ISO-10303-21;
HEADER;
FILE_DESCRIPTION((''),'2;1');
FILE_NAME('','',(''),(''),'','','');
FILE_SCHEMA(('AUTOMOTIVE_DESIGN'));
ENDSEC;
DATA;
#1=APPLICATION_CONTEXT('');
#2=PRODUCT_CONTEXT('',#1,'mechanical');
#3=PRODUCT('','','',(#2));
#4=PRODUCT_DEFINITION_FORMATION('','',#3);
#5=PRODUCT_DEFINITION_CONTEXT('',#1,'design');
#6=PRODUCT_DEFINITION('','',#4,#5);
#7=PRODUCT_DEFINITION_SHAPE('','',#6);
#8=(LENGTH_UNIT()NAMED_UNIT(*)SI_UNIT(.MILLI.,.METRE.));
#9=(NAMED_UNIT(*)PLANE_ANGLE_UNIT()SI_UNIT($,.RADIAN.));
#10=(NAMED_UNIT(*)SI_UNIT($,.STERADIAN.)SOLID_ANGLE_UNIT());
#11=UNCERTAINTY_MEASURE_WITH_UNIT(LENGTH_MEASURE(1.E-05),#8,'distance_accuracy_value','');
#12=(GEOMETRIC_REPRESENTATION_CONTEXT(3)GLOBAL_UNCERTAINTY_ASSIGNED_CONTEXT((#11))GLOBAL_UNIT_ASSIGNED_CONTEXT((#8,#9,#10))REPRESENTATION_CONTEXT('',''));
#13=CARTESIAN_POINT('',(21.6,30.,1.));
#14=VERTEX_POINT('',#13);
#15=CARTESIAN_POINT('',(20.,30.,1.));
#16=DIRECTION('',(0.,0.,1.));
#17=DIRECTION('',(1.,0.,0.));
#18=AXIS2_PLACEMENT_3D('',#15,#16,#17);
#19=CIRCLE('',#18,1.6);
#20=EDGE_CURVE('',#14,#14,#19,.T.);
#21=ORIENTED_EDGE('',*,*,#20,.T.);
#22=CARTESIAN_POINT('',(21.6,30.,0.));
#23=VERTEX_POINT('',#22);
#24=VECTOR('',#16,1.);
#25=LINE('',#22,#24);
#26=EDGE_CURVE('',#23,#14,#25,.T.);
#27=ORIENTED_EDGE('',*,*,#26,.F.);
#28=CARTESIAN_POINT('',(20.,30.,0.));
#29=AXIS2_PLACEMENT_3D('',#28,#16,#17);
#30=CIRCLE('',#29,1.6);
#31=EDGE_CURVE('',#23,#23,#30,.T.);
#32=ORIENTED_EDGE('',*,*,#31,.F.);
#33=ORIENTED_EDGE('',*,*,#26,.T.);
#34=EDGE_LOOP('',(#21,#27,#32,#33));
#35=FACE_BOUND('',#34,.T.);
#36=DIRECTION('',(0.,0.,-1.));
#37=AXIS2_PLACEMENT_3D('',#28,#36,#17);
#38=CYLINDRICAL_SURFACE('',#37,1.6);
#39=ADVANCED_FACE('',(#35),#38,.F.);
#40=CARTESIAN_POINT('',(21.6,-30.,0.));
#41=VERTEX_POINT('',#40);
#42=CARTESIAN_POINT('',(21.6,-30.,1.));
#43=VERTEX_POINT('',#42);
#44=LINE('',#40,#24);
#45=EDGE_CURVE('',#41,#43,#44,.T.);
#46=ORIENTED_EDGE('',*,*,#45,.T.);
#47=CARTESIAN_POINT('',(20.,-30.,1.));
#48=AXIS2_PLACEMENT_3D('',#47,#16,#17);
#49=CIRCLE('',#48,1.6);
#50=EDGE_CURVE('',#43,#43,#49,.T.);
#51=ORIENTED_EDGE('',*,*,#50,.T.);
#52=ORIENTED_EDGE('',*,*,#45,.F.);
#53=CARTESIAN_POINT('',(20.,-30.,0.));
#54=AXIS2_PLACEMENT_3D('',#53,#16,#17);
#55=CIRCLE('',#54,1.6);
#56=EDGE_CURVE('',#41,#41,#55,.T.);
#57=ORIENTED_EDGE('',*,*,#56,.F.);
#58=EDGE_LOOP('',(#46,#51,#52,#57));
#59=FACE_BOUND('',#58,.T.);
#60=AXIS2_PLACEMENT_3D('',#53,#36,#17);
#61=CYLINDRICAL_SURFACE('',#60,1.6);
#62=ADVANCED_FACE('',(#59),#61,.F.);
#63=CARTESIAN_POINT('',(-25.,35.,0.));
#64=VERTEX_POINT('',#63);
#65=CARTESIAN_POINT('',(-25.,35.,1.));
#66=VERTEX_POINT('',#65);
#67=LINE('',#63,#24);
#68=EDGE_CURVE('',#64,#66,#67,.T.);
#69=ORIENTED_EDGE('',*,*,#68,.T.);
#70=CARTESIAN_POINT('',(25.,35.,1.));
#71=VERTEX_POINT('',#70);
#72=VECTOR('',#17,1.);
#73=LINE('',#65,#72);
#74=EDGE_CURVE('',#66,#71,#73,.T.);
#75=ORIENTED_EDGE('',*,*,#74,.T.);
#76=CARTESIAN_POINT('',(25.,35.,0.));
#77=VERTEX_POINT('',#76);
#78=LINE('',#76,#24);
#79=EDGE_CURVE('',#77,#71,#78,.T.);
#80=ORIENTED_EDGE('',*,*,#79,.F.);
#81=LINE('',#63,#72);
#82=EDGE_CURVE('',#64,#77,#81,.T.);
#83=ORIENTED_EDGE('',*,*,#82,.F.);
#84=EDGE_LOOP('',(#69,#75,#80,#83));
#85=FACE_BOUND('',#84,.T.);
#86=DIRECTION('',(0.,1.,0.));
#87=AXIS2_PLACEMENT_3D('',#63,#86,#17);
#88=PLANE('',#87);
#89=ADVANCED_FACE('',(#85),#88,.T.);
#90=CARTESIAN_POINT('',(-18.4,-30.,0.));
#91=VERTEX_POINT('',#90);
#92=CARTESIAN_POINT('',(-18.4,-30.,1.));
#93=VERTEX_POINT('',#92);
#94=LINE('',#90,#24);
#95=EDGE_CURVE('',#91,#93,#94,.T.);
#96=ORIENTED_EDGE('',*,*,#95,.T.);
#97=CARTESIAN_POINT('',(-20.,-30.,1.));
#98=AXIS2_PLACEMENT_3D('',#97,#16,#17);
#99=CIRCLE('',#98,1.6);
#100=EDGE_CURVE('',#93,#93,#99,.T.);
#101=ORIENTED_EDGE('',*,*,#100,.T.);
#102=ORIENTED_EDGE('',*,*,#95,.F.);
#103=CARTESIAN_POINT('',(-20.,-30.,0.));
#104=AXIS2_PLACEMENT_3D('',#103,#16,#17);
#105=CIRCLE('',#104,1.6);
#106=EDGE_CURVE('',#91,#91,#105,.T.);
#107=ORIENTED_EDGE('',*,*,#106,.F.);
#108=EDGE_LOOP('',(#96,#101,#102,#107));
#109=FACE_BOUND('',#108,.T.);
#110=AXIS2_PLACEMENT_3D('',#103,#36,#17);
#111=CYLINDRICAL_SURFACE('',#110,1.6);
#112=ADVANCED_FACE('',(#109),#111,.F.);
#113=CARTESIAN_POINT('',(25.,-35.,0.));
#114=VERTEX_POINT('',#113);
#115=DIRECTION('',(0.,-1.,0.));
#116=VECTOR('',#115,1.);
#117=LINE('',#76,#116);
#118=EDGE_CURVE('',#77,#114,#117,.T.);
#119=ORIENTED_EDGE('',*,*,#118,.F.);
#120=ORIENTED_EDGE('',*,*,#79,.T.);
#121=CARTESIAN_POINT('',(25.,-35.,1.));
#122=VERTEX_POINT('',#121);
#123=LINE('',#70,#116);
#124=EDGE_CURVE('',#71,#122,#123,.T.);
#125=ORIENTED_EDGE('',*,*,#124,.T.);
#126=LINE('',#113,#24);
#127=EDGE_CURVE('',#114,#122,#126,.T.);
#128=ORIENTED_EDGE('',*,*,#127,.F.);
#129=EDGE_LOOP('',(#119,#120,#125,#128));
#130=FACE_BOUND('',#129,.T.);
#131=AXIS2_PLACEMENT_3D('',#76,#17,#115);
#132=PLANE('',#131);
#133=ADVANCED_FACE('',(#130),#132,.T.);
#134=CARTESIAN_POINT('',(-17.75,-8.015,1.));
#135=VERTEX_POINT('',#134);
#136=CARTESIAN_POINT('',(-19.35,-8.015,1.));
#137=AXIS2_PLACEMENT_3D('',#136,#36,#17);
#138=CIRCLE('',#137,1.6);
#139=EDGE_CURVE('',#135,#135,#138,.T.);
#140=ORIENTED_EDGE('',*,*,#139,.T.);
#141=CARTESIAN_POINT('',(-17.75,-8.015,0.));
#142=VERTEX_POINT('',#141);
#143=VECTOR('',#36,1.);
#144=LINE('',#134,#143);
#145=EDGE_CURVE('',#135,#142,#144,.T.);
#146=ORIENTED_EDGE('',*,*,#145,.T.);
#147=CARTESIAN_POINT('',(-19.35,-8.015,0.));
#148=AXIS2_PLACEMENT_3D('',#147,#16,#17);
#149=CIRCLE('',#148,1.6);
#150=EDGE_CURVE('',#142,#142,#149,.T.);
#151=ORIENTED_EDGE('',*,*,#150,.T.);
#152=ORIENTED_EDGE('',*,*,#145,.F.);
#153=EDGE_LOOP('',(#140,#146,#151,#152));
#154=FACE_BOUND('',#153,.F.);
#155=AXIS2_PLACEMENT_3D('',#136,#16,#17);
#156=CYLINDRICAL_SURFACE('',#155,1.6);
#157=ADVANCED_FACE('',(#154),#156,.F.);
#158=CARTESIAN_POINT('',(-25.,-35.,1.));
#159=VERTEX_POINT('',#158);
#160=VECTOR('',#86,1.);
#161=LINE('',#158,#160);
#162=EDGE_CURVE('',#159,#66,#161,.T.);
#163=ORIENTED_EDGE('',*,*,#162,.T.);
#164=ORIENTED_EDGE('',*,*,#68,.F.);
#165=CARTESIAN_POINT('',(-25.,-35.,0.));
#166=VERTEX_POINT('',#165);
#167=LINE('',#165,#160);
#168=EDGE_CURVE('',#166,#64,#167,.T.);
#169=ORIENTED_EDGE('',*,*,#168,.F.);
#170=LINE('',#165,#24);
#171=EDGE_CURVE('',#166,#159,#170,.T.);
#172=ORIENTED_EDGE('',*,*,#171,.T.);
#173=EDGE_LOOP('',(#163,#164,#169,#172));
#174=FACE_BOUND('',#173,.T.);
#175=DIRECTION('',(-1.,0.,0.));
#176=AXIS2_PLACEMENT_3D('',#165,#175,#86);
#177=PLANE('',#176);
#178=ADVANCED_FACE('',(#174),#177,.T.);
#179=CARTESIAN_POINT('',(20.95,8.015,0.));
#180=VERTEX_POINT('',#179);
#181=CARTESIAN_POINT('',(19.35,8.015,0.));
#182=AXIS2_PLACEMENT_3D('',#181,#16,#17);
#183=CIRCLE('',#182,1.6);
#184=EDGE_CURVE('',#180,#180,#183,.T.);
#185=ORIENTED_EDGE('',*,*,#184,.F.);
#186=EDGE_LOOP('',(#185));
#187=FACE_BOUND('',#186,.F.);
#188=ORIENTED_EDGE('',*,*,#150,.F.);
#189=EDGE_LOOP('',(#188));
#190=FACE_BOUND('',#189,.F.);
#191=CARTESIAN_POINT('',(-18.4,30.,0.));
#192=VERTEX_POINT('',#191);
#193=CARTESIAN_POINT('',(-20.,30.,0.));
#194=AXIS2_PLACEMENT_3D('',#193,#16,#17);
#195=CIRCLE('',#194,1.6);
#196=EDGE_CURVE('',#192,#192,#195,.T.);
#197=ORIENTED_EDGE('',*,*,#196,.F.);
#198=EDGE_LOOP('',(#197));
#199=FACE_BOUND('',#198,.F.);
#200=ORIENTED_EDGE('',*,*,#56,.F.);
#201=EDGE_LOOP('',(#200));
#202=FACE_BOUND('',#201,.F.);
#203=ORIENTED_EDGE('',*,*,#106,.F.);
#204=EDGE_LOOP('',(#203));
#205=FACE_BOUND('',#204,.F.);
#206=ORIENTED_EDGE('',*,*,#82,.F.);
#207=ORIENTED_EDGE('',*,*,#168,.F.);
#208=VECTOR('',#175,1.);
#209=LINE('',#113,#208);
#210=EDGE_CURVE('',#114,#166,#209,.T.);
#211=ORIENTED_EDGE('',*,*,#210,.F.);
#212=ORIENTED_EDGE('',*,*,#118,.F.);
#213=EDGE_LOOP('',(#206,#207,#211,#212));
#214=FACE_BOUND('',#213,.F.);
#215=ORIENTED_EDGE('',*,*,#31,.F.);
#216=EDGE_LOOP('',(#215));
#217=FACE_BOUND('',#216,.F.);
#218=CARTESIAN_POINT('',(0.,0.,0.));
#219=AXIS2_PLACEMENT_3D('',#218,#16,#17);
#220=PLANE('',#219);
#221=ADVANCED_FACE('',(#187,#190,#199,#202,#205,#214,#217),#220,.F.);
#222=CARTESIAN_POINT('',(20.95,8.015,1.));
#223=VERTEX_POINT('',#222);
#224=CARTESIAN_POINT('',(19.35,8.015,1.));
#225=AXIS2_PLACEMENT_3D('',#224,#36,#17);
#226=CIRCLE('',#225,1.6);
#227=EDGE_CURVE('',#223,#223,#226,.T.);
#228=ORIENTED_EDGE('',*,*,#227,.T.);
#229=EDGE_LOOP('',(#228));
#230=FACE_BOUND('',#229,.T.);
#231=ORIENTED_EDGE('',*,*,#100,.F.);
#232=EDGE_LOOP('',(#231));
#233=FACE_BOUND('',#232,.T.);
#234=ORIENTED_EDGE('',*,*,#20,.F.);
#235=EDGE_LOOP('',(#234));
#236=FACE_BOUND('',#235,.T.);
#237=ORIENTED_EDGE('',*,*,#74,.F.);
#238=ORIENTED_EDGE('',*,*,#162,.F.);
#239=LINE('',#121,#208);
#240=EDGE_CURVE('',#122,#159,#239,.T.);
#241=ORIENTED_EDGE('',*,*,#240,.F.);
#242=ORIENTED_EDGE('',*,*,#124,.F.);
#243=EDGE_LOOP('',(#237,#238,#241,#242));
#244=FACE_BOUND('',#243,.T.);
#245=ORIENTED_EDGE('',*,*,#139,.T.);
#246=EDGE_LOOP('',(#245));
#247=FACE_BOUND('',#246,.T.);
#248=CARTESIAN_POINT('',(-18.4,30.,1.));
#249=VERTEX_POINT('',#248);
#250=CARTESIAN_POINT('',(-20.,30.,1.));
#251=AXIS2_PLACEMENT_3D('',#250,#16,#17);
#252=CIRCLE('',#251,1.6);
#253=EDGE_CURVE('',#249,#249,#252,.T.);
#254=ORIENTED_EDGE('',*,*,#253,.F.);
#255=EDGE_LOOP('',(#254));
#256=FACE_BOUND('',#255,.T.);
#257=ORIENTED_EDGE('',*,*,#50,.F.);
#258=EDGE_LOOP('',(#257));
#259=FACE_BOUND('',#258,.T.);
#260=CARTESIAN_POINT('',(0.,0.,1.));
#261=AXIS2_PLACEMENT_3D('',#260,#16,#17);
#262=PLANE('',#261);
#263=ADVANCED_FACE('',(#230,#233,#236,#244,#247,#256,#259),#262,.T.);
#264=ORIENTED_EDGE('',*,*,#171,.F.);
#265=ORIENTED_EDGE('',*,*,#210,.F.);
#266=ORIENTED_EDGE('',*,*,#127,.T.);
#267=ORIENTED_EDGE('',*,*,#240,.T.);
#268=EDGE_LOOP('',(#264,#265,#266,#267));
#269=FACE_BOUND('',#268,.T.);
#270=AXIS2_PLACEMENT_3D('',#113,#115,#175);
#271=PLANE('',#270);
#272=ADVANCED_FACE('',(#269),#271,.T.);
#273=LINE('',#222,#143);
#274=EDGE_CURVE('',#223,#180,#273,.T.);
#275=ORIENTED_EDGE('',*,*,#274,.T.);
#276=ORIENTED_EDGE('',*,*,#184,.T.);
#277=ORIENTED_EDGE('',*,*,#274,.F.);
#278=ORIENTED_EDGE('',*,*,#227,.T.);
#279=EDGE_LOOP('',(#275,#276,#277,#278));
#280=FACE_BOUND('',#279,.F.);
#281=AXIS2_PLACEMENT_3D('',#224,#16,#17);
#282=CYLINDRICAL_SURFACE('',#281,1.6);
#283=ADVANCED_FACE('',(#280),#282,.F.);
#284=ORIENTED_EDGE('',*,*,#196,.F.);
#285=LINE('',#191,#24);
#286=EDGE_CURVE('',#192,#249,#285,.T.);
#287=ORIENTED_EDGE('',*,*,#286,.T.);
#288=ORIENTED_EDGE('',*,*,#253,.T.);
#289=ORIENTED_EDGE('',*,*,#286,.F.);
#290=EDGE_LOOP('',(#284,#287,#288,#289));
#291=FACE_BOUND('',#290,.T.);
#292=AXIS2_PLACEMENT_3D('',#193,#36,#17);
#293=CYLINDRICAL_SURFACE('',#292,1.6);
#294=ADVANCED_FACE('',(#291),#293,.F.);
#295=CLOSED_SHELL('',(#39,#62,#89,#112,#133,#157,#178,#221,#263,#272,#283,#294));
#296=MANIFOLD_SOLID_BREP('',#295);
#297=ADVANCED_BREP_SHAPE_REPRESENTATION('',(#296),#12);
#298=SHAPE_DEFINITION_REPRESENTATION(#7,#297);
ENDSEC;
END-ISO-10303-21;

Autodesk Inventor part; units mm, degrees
ref_plane "YZ Plane" through (0, 0, 0) normal (1, 0, 0) x (0, 1, 0)
ref_plane "XZ Plane" through (0, 0, 0) normal (0, 1, 0) x (-1, 0, 0)
ref_plane "XY Plane" through (0, 0, 0) normal (0, 0, 1) x (1, 0, 0)
sketch "Sketch1" plane through (0, 0, 0) normal (0, 0, 1) x (1, 0, 0)
  line L0 (-25, 35) -> (25, 35)
  line L1 (25, 35) -> (25, -35)
  line L2 (25, -35) -> (-25, -35)
  line L3 (-25, -35) -> (-25, 35)
  line L4 (-25, 35) -> (25, -35) construction
  line L5 (25, 35) -> (-25, -35) construction
  circle A0 centre (-20, 30) radius 1.6
  line L6 (0, 0) -> (0, 8.6163)
  line L7 (0, 0) -> (6.049, 0)
  circle A1 centre (20, 30) radius 1.6
  circle A2 centre (-20, -30) radius 1.6
  circle A3 centre (20, -30) radius 1.6
  dimension "d0" = 50
  dimension "d1" = 70
  dimension "d12" = 3.2
  dimension "d13" = 5
  dimension "d18" = 5
extrude "Plate1" add sketch "Sketch1" along normal blind 1
sketch "Sketch2" plane through (0, 0, 1) normal (0, 0, 1) x (1, 0, 0)
  line L0 (22.55, 9.3405) -> (22.55, -9.3405)
  line L1 (22.55, -9.3405) -> (9.3405, -22.55)
  line L2 (9.3405, -22.55) -> (-9.3405, -22.55)
  line L3 (-9.3405, -22.55) -> (-22.55, -9.3405)
  line L4 (-22.55, -9.3405) -> (-22.55, 9.3405)
  line L5 (-22.55, 9.3405) -> (-9.3405, 22.55)
  line L6 (-9.3405, 22.55) -> (9.3405, 22.55)
  line L7 (9.3405, 22.55) -> (22.55, 9.3405)
  circle A0 centre (19.35, 8.015) radius 1.6
  line L8 (22.55, 9.3405) -> (-22.55, -9.3405)
  circle A1 centre (-19.35, -8.015) radius 1.6
  point P0 (0, 0)
  point P1 (0, 0)
  dimension "d3" = 45.1
  dimension "d4" = 3.2
  dimension "d5" = 3.2
  dimension "d8" = 360
extrude "Extrusion1" cut sketch "Sketch2" against normal blind 10 contours L8 A0 | A0 L8 | A1 L8 | L8 A1
equation "\"d2\" = 厚度"
equation "\"折彎半徑\" = 厚度"
equation "\"折彎離隙寬度\" = 厚度"
equation "\"折彎離隙深度\" = 0.5 * 厚度"
equation "\"轉角離隙大小\" = 4 * 厚度"
equation "\"最小剩餘\" = 2 * 厚度"
equation "\"轉移半徑\" = 折彎半徑"
equation "\"Jacobi半徑大小\" = 折彎半徑"
equation "\"間隙大小\" = 厚度"
equation "\"厚度\" = 1"
properties part number "signal_combiner_plate" material "Aluminum"
